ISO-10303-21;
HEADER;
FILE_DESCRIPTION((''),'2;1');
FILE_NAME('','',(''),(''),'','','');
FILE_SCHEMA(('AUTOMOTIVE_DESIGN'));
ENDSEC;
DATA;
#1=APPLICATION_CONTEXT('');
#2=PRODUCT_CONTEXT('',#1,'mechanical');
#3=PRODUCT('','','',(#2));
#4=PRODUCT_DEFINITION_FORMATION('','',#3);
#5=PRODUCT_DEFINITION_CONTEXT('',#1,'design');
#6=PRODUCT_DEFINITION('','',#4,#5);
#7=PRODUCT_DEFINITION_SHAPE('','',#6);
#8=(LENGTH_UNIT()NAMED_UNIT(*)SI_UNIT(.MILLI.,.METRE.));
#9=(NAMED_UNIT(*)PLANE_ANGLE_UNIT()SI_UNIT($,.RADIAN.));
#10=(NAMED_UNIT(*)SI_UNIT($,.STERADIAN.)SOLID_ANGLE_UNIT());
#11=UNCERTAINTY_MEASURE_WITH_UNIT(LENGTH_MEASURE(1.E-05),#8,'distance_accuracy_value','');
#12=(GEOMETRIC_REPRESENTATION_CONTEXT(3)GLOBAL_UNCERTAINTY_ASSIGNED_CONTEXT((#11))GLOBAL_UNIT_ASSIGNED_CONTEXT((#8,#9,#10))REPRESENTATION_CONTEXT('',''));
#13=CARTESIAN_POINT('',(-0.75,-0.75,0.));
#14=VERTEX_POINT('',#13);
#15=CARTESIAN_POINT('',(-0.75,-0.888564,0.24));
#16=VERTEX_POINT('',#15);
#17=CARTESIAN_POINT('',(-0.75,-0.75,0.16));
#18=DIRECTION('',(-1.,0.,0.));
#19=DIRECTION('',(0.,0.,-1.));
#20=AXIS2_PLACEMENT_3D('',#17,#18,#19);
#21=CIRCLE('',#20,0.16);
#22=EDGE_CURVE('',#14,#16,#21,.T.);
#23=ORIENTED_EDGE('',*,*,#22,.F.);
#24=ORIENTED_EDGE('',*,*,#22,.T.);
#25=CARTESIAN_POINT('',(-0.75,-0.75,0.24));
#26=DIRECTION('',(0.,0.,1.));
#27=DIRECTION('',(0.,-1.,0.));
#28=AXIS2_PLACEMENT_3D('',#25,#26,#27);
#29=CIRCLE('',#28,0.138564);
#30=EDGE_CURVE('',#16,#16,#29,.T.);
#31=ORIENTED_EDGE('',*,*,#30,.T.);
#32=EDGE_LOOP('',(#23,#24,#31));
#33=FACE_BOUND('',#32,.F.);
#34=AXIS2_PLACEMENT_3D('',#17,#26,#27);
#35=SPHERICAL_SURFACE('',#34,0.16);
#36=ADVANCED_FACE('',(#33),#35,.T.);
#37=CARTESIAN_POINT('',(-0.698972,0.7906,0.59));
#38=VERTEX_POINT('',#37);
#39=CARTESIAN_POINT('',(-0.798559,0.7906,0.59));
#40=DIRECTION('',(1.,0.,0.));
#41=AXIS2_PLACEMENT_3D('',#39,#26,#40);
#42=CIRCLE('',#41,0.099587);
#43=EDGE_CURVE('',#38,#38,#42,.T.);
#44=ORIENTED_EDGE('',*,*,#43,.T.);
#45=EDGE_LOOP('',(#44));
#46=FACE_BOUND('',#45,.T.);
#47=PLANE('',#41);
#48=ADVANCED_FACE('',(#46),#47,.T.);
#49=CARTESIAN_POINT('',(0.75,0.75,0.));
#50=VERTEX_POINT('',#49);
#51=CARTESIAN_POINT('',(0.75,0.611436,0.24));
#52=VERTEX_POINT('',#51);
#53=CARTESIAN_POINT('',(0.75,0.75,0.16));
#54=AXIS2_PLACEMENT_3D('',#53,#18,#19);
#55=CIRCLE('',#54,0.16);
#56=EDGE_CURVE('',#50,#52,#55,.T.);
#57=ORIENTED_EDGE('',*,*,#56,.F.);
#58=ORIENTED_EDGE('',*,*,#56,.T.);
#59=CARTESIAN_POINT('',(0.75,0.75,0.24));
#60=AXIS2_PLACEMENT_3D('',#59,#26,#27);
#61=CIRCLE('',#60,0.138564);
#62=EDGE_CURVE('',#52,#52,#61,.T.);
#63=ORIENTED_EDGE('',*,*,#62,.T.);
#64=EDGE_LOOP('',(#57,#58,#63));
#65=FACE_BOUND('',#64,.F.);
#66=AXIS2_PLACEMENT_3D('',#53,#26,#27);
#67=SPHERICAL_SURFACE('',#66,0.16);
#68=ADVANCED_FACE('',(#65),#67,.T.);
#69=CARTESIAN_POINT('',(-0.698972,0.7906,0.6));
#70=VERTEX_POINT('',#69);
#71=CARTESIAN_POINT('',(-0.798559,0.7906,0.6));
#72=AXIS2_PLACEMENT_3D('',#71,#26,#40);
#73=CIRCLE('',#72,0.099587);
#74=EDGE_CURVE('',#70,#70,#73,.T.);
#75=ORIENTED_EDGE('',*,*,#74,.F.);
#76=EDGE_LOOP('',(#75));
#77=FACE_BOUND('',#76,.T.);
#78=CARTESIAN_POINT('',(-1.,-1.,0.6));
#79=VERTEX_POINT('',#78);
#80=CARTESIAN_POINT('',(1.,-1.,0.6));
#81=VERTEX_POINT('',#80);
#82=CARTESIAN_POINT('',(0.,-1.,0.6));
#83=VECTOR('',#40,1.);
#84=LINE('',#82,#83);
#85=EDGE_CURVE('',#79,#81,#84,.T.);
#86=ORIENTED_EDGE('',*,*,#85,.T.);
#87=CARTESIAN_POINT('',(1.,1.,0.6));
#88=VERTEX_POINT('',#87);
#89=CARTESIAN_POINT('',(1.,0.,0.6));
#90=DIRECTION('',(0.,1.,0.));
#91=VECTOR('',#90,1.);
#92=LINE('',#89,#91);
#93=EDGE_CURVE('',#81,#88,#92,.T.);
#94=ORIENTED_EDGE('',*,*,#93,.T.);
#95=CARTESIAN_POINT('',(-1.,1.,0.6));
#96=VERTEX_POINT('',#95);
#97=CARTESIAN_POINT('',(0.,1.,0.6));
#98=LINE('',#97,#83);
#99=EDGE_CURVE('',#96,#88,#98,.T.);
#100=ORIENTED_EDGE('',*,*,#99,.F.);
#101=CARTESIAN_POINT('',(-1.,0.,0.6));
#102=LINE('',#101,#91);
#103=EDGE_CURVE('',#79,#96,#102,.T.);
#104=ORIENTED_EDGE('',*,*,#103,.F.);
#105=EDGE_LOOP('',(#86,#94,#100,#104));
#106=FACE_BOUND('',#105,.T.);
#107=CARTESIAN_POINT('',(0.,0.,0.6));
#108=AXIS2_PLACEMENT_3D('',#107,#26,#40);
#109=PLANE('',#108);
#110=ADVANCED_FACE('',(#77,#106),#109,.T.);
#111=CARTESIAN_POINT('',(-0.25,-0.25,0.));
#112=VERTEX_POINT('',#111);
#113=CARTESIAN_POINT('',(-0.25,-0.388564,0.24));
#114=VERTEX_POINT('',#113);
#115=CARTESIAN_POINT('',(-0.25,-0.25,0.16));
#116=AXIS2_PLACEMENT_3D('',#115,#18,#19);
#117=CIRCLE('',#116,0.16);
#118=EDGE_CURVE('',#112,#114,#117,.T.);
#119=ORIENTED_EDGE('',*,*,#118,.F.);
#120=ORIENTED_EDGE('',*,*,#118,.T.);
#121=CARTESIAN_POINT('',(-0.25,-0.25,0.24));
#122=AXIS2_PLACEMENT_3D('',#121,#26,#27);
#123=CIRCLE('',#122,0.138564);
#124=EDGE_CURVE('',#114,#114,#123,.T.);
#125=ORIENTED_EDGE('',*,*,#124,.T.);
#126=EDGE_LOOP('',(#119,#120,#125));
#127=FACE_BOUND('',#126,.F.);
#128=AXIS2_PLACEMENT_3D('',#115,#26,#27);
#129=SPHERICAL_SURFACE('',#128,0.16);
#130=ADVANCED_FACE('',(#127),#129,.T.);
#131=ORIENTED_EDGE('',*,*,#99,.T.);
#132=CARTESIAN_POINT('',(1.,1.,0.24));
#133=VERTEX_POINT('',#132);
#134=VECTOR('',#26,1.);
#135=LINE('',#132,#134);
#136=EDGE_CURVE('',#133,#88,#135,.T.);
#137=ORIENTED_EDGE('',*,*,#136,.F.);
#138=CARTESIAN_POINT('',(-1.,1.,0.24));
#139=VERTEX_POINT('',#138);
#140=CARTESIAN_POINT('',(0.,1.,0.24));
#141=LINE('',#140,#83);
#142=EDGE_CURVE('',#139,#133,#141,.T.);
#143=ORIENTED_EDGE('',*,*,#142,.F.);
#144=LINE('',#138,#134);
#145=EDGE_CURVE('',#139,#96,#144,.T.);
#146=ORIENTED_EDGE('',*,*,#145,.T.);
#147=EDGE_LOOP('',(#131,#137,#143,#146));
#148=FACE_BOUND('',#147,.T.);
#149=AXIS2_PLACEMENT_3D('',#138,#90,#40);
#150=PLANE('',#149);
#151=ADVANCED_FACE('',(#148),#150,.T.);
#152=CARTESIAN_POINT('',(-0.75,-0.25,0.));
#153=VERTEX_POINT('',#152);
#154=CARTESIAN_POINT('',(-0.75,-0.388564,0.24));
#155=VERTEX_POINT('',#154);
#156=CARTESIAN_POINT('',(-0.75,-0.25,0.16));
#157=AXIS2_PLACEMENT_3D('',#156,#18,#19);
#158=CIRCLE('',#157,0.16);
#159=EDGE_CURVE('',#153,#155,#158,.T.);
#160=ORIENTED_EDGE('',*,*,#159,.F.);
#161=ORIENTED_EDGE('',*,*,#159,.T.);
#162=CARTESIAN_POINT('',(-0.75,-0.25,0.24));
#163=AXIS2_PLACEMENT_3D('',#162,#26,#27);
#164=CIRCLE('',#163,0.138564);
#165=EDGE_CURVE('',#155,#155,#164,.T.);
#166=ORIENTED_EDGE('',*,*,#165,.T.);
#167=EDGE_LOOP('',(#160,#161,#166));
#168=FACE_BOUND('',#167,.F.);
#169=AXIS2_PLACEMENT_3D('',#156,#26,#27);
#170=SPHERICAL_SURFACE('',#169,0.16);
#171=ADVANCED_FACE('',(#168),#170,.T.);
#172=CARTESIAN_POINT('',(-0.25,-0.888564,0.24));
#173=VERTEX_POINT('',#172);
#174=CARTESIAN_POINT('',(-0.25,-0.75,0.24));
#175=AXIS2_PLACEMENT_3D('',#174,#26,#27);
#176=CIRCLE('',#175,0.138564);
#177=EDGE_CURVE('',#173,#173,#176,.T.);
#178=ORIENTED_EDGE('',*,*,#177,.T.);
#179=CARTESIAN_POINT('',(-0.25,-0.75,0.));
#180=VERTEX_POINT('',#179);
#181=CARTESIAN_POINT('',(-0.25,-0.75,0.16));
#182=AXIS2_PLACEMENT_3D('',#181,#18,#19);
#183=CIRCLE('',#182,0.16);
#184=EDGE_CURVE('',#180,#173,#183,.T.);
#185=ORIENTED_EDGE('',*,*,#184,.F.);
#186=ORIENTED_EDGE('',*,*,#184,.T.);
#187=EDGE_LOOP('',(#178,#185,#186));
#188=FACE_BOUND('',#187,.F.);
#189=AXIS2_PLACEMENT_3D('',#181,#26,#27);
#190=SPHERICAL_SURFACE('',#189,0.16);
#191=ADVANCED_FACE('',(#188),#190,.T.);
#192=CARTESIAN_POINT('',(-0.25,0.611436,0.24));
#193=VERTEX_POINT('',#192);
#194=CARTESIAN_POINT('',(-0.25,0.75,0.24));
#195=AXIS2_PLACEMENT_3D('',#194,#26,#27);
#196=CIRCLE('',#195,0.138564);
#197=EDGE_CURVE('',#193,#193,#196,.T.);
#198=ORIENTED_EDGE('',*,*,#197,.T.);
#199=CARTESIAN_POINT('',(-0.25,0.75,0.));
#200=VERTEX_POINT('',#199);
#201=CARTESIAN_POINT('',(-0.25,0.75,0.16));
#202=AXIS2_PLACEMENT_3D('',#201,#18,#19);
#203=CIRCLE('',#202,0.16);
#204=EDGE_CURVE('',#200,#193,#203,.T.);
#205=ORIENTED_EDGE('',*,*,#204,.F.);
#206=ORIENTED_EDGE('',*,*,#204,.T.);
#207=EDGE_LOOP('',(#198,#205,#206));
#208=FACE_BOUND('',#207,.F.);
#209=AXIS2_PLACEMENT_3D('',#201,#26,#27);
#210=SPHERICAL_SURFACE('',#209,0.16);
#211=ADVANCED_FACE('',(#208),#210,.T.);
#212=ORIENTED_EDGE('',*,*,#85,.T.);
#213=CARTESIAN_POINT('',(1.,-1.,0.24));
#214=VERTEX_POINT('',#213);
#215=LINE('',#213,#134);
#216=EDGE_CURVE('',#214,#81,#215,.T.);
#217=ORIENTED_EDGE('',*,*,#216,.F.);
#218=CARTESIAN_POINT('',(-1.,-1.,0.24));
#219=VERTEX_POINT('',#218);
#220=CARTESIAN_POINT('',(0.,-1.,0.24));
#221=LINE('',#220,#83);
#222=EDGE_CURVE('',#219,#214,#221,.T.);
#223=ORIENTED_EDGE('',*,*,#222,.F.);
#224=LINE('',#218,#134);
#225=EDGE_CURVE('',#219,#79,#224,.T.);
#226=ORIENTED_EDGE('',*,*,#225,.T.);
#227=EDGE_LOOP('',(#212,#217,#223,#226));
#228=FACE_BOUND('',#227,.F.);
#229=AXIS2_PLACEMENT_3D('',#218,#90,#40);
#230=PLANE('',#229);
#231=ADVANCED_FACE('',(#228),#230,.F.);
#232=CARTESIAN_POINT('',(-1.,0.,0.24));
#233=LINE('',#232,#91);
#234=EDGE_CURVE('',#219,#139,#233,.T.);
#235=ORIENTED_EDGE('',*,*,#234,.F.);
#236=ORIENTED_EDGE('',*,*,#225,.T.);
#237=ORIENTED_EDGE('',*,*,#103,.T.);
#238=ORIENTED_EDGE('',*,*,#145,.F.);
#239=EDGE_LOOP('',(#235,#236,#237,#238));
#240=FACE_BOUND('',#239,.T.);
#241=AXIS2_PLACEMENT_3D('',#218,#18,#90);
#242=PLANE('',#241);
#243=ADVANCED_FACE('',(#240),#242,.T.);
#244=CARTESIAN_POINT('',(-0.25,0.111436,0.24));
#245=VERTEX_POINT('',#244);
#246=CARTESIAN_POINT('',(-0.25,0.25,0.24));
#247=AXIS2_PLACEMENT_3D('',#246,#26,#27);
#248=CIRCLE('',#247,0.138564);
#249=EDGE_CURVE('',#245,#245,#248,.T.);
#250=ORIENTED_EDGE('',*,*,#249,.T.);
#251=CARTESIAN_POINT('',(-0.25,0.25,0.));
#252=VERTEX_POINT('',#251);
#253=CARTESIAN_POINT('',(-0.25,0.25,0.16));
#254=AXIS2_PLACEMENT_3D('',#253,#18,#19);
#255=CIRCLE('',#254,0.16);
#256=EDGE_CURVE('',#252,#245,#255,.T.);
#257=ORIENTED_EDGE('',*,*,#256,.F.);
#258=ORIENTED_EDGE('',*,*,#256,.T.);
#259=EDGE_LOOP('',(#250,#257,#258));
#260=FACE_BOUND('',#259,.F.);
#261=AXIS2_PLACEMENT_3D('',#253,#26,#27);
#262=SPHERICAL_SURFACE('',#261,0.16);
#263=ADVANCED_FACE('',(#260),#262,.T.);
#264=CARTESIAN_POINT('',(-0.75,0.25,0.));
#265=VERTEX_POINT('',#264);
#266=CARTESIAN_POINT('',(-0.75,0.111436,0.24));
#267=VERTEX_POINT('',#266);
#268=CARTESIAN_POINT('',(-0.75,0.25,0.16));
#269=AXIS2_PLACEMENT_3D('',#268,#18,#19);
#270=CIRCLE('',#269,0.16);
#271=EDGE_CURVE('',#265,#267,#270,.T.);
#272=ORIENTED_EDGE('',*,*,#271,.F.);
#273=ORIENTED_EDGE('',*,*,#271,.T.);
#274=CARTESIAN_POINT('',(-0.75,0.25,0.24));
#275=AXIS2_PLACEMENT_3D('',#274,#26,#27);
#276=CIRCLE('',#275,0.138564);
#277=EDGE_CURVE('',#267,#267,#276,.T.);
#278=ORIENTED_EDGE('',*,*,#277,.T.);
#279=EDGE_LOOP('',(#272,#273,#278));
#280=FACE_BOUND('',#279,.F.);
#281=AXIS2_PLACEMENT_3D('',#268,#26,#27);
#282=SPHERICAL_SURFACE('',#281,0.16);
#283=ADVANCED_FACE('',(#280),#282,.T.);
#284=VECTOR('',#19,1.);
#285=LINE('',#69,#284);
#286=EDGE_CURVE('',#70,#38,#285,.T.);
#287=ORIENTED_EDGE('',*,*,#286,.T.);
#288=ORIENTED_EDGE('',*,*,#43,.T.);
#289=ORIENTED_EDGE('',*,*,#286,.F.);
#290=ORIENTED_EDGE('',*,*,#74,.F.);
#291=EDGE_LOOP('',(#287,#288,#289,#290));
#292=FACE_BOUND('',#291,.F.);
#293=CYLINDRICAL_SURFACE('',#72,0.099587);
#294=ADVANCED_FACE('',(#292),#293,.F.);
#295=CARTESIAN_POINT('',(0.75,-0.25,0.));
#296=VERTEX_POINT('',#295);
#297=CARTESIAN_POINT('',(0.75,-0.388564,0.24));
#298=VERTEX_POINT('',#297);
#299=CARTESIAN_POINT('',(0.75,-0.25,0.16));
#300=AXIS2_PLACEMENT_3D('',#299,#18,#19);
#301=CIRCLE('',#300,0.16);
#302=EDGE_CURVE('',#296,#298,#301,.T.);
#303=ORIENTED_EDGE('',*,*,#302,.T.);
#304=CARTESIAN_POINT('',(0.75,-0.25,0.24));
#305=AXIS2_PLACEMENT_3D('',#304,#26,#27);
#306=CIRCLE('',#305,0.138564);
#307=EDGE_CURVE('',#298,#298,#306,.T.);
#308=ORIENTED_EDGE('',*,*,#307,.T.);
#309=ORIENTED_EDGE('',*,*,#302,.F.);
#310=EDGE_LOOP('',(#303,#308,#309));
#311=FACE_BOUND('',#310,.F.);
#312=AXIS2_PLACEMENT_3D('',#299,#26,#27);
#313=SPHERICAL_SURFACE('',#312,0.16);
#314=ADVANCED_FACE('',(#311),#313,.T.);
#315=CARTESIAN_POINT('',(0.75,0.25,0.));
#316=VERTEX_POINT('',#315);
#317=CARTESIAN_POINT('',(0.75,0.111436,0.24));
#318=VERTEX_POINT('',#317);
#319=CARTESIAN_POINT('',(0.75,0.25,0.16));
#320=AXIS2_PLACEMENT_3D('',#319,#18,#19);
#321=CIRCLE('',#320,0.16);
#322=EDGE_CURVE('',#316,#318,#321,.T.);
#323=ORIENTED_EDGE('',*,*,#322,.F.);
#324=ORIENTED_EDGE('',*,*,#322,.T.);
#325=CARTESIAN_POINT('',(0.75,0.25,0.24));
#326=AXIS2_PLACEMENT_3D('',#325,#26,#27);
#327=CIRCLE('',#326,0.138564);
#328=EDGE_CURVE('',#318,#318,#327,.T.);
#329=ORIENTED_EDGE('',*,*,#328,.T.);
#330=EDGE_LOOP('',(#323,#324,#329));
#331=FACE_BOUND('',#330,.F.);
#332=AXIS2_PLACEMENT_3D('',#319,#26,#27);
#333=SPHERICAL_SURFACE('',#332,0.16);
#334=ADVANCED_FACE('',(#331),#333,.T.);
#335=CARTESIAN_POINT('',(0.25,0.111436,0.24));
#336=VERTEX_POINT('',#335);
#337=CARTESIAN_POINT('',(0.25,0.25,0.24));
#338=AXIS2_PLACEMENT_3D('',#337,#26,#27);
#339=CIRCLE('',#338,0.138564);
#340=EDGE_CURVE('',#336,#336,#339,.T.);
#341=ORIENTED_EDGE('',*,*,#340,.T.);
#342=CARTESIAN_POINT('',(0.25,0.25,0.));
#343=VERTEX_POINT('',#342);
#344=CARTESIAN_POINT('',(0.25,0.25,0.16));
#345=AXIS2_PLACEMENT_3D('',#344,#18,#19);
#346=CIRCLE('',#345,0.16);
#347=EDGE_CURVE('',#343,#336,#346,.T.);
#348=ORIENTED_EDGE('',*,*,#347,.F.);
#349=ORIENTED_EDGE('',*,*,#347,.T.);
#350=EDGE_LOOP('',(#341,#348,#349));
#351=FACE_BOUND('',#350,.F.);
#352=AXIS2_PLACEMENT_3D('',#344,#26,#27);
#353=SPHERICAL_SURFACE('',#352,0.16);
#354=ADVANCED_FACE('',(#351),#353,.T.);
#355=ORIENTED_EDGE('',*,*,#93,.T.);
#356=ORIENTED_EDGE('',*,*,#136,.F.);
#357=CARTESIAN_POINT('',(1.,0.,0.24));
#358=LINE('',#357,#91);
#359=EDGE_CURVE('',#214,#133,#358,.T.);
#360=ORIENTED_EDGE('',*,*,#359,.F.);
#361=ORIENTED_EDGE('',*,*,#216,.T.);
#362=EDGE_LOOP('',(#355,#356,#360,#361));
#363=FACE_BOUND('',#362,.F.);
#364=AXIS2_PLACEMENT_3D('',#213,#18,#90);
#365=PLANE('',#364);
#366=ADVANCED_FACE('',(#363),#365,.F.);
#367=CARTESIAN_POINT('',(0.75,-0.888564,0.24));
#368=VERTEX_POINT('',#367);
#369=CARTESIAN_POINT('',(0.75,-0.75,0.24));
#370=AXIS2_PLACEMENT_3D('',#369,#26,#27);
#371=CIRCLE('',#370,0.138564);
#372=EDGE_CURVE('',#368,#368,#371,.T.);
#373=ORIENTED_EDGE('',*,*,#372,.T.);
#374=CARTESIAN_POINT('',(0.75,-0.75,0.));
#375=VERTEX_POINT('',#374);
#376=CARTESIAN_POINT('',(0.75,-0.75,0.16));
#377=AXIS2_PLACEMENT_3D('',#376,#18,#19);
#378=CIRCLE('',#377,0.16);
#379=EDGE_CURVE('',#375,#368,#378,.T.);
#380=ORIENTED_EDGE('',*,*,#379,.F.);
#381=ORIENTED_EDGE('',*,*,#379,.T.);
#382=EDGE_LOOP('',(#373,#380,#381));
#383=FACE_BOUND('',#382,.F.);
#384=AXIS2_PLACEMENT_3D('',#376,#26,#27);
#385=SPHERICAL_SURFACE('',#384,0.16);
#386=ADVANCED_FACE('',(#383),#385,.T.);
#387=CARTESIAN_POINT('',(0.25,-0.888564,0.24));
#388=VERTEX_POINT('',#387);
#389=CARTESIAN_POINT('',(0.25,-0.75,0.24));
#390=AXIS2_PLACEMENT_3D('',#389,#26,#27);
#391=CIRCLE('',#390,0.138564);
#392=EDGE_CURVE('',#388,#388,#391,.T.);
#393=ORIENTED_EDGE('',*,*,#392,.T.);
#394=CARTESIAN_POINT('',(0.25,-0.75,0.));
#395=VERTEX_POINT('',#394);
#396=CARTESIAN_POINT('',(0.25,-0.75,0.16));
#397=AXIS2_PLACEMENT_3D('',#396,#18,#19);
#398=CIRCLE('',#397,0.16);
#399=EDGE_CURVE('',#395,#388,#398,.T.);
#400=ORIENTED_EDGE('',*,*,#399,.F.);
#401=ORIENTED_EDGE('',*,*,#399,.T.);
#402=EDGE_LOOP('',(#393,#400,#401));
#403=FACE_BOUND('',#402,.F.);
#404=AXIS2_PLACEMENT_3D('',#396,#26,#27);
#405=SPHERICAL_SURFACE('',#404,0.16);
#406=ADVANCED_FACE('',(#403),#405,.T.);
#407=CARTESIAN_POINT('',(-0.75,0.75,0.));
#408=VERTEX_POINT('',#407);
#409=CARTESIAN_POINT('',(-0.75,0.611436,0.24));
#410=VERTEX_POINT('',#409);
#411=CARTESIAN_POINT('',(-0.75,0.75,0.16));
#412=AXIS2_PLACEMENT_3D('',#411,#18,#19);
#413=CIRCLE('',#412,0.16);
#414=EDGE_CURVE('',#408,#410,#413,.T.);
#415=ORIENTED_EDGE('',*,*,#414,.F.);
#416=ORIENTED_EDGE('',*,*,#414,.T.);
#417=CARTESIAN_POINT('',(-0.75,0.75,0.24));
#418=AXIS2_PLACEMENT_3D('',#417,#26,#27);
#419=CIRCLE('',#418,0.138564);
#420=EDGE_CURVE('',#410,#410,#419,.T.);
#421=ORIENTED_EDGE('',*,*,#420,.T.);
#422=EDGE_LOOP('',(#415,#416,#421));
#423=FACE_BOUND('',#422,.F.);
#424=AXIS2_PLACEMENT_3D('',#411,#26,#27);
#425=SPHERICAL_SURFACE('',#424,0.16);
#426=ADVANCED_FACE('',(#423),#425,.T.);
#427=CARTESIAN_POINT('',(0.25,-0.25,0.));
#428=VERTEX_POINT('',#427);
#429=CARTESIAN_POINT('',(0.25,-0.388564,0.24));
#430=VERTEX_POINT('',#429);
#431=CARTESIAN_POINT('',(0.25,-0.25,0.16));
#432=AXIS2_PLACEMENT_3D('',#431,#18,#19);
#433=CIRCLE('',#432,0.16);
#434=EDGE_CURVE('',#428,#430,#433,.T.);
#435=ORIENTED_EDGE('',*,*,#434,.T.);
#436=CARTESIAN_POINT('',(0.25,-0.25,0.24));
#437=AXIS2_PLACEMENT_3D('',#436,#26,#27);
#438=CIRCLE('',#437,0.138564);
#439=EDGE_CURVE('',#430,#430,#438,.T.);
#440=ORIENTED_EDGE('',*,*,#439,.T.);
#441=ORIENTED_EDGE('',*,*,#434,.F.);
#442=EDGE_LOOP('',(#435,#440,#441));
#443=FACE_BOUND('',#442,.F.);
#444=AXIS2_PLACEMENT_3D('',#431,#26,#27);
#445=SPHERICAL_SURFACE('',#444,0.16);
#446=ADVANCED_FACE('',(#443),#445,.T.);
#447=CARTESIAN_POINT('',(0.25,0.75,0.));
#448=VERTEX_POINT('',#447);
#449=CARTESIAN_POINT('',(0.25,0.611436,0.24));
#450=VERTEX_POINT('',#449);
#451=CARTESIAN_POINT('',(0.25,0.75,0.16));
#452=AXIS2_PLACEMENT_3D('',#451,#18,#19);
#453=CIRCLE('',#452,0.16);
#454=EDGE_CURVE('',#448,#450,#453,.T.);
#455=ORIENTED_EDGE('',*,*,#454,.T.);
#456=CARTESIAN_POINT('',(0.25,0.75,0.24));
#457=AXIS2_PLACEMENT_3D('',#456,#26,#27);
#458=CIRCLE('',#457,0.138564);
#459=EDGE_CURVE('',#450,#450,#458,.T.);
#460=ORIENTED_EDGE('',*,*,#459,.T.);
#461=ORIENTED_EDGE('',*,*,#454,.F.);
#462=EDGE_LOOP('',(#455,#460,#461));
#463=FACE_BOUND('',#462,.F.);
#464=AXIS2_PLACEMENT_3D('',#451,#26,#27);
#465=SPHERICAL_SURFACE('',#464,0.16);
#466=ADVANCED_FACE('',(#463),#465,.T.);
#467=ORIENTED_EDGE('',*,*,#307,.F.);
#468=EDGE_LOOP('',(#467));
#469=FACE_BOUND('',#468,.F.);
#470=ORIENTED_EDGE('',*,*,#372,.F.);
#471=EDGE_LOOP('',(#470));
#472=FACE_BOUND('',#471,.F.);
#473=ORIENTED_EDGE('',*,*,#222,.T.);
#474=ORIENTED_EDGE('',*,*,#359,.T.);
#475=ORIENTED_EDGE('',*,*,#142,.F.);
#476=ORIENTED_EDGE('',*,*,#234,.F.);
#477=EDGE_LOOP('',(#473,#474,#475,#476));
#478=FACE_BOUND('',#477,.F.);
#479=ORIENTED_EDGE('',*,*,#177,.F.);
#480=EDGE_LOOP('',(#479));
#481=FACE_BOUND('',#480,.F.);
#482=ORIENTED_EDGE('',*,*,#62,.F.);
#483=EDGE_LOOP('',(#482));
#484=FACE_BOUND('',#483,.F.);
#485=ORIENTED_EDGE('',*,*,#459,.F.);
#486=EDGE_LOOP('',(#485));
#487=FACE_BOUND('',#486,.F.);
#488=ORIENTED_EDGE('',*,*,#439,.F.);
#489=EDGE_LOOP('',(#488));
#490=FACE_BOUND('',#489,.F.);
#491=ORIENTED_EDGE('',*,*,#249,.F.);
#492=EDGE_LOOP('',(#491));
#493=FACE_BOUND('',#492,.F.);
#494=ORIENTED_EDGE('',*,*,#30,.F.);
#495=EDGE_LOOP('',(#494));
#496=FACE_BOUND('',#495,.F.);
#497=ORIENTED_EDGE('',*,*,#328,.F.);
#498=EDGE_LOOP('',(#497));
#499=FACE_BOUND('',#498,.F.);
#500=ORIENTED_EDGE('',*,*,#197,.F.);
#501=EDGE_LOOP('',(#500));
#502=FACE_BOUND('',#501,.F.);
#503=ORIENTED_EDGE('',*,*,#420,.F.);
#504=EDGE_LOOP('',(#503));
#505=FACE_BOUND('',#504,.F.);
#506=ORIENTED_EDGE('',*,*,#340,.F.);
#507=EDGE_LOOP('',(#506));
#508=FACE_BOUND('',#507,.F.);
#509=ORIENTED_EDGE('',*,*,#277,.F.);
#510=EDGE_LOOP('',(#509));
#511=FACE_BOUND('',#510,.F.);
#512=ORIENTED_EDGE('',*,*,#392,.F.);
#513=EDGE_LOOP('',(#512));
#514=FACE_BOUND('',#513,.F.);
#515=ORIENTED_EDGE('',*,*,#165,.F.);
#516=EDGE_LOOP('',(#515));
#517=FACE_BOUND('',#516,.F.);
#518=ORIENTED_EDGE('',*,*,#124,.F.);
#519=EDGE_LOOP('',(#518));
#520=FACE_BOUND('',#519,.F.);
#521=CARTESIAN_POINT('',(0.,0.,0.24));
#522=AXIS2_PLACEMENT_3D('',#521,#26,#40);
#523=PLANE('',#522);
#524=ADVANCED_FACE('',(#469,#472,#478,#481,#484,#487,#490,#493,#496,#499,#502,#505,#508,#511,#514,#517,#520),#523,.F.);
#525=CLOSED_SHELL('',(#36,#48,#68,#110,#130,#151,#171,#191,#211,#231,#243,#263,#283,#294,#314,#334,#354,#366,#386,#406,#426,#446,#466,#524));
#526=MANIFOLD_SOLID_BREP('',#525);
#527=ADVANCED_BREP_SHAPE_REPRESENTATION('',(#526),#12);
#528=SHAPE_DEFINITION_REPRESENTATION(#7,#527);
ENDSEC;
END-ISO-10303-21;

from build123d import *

# Parameters (mm, degrees)
BOSS_EXTRUDE1_START  = 0.24
SKETCH1_W            = 2
SKETCH1_H            = 2
BOSS_EXTRUDE1_DEPTH  = 0.36
LPATTERN1_COUNT      = 4
LPATTERN1_PITCH      = 0.5
LPATTERN1_COUNT_DIR2 = 4
LPATTERN1_PITCH_DIR2 = 0.5
SKETCH3_R            = 0.0995871
CUT_EXTRUDE1_DEPTH   = 0.01


with BuildPart() as part:
    # Sketch1 → Boss-Extrude1 (new body)
    with BuildSketch(Plane.XY.offset(BOSS_EXTRUDE1_START)):
        Rectangle(SKETCH1_W, SKETCH1_H)
    extrude(amount=BOSS_EXTRUDE1_DEPTH)

    # Sketch2 → Revolve1 (revolve)
    with BuildSketch(Plane(origin=(0.75, 0, 0), x_dir=(0, 0, -1), z_dir=(1, 0, 0))):
        with BuildLine():
            Line((-0.32, 0.75), (0, 0.75))
            ThreePointArc((0, 0.75), (-0.16, 0.59), (-0.32, 0.75))
        make_face()
    revolve1 = revolve(axis=Axis((0.75, 0.75, 0.32), (0, 0, -1)))

    # LPattern1: Revolve1 4 × 4
    with Locations(*[(-i * LPATTERN1_PITCH, -j * LPATTERN1_PITCH_DIR2, 0) for i in range(LPATTERN1_COUNT) for j in range(LPATTERN1_COUNT_DIR2) if (i, j) != (0, 0)]):
        add(revolve1)

    # Sketch3 → Cut-Extrude1 (cut)
    with BuildSketch(Plane.XY.offset(0.6)):
        with Locations((-0.798559078, 0.790600018)):
            Circle(SKETCH3_R)
    extrude(amount=-CUT_EXTRUDE1_DEPTH, mode=Mode.SUBTRACT)


solid = part.part
